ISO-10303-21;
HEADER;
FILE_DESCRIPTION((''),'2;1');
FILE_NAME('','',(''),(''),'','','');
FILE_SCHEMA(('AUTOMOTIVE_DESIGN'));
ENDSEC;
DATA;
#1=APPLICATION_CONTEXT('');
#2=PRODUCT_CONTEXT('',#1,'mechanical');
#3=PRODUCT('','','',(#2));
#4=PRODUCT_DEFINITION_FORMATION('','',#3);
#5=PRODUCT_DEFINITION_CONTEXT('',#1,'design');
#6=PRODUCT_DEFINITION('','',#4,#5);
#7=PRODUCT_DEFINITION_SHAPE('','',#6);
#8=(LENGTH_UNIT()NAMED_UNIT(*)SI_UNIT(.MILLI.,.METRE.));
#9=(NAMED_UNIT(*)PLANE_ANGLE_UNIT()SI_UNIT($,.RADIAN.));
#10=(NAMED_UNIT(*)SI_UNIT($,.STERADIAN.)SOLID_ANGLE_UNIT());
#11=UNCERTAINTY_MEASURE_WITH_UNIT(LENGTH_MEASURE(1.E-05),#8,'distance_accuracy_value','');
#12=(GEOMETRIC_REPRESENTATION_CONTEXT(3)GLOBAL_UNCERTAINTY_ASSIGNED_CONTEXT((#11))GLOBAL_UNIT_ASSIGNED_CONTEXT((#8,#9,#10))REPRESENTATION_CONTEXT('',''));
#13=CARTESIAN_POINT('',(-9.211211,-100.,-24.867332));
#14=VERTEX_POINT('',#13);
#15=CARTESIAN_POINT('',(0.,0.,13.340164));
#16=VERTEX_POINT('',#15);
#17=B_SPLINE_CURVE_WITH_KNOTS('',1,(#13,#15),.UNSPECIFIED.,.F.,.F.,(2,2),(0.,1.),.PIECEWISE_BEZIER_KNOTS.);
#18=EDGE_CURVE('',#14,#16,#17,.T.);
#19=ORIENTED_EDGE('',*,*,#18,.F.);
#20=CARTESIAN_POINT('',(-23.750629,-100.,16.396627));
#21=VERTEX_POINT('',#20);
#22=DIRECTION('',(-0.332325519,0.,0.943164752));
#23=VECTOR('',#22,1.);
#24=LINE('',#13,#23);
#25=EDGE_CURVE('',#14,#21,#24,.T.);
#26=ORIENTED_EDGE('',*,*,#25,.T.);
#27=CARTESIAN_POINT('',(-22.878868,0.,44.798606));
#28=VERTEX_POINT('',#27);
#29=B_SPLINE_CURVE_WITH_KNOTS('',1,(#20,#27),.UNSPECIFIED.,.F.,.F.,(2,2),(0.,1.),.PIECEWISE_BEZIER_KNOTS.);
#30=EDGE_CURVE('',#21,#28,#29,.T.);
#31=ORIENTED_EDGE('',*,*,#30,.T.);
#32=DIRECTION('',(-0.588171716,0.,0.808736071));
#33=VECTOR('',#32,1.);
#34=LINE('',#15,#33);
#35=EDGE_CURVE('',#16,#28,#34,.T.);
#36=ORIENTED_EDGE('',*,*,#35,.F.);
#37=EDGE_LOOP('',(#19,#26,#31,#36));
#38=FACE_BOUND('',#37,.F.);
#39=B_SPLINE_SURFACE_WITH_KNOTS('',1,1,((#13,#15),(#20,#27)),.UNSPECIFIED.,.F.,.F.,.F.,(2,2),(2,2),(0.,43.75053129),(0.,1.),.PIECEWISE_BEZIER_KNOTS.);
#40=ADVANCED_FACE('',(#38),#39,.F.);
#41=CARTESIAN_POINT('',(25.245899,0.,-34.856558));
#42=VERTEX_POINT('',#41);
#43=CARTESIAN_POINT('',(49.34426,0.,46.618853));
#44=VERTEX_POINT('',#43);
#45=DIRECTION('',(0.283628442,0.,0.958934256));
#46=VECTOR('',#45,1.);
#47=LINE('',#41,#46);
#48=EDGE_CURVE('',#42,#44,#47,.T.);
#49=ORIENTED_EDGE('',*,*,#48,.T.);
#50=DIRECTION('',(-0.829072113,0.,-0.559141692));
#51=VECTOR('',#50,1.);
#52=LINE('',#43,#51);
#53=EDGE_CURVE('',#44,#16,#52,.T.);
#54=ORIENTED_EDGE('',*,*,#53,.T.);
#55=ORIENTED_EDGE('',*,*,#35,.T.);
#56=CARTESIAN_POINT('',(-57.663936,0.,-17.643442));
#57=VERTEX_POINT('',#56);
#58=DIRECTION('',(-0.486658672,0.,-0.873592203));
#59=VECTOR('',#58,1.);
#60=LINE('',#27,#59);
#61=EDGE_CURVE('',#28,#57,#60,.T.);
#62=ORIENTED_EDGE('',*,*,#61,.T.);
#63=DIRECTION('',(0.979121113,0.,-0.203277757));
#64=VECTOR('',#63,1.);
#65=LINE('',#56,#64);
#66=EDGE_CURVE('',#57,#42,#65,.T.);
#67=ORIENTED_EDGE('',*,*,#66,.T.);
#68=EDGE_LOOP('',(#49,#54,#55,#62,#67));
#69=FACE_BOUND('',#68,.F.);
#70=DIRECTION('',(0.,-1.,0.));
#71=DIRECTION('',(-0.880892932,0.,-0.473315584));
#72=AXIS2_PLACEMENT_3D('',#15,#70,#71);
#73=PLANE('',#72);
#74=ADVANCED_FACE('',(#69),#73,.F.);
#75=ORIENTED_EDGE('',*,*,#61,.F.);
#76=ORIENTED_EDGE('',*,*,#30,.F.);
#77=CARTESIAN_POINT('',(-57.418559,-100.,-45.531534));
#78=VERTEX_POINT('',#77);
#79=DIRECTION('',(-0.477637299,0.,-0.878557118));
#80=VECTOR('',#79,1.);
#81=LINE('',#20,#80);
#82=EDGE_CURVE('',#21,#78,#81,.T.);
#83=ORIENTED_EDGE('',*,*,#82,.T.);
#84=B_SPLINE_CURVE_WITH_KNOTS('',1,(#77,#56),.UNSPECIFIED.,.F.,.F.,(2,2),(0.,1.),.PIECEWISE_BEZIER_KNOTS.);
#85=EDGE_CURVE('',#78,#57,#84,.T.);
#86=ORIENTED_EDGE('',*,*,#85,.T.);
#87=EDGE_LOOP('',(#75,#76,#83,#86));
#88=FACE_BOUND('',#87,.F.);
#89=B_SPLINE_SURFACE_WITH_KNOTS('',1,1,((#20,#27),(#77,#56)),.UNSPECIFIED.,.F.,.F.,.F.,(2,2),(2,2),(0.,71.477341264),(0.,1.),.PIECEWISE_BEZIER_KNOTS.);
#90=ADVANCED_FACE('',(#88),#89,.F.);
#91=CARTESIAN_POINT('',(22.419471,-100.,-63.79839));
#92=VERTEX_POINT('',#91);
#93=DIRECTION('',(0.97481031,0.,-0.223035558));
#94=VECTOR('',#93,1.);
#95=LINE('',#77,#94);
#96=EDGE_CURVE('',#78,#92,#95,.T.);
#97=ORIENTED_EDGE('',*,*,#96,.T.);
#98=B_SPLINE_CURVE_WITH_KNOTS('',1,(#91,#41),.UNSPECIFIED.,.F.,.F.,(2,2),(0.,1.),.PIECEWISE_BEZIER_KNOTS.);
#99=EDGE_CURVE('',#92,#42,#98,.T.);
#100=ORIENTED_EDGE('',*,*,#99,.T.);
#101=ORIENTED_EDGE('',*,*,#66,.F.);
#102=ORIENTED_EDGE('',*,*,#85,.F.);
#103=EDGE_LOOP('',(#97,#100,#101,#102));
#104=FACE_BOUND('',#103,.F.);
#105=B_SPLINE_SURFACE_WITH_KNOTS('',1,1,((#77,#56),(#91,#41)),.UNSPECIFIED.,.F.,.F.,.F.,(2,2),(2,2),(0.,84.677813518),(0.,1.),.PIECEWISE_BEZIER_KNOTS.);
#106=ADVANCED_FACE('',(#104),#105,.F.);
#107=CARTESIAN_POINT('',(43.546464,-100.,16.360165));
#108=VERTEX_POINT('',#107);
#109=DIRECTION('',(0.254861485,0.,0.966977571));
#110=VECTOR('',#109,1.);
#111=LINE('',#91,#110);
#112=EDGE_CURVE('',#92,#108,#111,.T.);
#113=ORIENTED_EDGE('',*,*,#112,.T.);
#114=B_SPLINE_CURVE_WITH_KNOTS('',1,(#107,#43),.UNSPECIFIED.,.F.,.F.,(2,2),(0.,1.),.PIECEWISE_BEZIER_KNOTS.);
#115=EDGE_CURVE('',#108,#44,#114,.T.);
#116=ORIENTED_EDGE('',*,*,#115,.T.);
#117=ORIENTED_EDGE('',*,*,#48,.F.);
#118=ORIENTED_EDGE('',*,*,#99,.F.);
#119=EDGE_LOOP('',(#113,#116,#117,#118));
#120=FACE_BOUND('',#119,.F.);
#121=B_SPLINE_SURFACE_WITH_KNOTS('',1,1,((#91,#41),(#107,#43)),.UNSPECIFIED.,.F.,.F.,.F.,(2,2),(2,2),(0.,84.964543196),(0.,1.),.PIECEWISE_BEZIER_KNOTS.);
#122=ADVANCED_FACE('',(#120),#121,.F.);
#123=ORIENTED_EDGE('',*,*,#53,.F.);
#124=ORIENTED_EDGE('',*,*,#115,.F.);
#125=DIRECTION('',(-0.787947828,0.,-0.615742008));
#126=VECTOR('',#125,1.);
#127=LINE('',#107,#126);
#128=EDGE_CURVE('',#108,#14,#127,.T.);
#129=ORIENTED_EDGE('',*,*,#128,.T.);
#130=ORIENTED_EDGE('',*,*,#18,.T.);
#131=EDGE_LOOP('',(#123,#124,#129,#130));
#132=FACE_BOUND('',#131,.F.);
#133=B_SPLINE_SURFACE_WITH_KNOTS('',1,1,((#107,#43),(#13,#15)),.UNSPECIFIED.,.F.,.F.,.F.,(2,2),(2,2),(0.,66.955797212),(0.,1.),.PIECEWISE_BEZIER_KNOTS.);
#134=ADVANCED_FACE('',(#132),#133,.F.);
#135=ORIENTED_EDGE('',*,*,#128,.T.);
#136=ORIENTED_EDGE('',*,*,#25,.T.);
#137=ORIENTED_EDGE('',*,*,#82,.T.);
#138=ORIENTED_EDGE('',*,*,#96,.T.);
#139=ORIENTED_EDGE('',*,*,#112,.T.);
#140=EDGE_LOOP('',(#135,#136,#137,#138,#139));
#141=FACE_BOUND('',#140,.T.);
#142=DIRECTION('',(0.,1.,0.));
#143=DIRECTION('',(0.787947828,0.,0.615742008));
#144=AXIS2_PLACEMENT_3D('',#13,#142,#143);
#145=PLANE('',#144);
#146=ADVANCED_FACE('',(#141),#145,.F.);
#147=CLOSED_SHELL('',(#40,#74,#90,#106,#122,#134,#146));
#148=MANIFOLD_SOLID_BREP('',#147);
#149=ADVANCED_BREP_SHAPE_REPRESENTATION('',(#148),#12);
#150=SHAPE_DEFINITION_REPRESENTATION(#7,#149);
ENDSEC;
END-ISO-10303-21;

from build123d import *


with BuildPart() as f3:
    # F2 (on offset) → F3 section 0
    with BuildSketch(Plane.XZ.offset(100)):
        Polygon((-9.211211, -24.867332), (-23.750629, 16.396627), (-57.418559, -45.531534), (22.419471, -63.79839), (43.546464, 16.360165), align=None)
    # F0 (on Front) → F3 section 1
    with BuildSketch(Plane.XZ):
        Polygon((0, 13.340164), (-22.878868, 44.798606), (-57.663936, -17.643442), (25.245899, -34.856558), (49.34426, 46.618853), align=None)
    loft()


solid = f3.part
